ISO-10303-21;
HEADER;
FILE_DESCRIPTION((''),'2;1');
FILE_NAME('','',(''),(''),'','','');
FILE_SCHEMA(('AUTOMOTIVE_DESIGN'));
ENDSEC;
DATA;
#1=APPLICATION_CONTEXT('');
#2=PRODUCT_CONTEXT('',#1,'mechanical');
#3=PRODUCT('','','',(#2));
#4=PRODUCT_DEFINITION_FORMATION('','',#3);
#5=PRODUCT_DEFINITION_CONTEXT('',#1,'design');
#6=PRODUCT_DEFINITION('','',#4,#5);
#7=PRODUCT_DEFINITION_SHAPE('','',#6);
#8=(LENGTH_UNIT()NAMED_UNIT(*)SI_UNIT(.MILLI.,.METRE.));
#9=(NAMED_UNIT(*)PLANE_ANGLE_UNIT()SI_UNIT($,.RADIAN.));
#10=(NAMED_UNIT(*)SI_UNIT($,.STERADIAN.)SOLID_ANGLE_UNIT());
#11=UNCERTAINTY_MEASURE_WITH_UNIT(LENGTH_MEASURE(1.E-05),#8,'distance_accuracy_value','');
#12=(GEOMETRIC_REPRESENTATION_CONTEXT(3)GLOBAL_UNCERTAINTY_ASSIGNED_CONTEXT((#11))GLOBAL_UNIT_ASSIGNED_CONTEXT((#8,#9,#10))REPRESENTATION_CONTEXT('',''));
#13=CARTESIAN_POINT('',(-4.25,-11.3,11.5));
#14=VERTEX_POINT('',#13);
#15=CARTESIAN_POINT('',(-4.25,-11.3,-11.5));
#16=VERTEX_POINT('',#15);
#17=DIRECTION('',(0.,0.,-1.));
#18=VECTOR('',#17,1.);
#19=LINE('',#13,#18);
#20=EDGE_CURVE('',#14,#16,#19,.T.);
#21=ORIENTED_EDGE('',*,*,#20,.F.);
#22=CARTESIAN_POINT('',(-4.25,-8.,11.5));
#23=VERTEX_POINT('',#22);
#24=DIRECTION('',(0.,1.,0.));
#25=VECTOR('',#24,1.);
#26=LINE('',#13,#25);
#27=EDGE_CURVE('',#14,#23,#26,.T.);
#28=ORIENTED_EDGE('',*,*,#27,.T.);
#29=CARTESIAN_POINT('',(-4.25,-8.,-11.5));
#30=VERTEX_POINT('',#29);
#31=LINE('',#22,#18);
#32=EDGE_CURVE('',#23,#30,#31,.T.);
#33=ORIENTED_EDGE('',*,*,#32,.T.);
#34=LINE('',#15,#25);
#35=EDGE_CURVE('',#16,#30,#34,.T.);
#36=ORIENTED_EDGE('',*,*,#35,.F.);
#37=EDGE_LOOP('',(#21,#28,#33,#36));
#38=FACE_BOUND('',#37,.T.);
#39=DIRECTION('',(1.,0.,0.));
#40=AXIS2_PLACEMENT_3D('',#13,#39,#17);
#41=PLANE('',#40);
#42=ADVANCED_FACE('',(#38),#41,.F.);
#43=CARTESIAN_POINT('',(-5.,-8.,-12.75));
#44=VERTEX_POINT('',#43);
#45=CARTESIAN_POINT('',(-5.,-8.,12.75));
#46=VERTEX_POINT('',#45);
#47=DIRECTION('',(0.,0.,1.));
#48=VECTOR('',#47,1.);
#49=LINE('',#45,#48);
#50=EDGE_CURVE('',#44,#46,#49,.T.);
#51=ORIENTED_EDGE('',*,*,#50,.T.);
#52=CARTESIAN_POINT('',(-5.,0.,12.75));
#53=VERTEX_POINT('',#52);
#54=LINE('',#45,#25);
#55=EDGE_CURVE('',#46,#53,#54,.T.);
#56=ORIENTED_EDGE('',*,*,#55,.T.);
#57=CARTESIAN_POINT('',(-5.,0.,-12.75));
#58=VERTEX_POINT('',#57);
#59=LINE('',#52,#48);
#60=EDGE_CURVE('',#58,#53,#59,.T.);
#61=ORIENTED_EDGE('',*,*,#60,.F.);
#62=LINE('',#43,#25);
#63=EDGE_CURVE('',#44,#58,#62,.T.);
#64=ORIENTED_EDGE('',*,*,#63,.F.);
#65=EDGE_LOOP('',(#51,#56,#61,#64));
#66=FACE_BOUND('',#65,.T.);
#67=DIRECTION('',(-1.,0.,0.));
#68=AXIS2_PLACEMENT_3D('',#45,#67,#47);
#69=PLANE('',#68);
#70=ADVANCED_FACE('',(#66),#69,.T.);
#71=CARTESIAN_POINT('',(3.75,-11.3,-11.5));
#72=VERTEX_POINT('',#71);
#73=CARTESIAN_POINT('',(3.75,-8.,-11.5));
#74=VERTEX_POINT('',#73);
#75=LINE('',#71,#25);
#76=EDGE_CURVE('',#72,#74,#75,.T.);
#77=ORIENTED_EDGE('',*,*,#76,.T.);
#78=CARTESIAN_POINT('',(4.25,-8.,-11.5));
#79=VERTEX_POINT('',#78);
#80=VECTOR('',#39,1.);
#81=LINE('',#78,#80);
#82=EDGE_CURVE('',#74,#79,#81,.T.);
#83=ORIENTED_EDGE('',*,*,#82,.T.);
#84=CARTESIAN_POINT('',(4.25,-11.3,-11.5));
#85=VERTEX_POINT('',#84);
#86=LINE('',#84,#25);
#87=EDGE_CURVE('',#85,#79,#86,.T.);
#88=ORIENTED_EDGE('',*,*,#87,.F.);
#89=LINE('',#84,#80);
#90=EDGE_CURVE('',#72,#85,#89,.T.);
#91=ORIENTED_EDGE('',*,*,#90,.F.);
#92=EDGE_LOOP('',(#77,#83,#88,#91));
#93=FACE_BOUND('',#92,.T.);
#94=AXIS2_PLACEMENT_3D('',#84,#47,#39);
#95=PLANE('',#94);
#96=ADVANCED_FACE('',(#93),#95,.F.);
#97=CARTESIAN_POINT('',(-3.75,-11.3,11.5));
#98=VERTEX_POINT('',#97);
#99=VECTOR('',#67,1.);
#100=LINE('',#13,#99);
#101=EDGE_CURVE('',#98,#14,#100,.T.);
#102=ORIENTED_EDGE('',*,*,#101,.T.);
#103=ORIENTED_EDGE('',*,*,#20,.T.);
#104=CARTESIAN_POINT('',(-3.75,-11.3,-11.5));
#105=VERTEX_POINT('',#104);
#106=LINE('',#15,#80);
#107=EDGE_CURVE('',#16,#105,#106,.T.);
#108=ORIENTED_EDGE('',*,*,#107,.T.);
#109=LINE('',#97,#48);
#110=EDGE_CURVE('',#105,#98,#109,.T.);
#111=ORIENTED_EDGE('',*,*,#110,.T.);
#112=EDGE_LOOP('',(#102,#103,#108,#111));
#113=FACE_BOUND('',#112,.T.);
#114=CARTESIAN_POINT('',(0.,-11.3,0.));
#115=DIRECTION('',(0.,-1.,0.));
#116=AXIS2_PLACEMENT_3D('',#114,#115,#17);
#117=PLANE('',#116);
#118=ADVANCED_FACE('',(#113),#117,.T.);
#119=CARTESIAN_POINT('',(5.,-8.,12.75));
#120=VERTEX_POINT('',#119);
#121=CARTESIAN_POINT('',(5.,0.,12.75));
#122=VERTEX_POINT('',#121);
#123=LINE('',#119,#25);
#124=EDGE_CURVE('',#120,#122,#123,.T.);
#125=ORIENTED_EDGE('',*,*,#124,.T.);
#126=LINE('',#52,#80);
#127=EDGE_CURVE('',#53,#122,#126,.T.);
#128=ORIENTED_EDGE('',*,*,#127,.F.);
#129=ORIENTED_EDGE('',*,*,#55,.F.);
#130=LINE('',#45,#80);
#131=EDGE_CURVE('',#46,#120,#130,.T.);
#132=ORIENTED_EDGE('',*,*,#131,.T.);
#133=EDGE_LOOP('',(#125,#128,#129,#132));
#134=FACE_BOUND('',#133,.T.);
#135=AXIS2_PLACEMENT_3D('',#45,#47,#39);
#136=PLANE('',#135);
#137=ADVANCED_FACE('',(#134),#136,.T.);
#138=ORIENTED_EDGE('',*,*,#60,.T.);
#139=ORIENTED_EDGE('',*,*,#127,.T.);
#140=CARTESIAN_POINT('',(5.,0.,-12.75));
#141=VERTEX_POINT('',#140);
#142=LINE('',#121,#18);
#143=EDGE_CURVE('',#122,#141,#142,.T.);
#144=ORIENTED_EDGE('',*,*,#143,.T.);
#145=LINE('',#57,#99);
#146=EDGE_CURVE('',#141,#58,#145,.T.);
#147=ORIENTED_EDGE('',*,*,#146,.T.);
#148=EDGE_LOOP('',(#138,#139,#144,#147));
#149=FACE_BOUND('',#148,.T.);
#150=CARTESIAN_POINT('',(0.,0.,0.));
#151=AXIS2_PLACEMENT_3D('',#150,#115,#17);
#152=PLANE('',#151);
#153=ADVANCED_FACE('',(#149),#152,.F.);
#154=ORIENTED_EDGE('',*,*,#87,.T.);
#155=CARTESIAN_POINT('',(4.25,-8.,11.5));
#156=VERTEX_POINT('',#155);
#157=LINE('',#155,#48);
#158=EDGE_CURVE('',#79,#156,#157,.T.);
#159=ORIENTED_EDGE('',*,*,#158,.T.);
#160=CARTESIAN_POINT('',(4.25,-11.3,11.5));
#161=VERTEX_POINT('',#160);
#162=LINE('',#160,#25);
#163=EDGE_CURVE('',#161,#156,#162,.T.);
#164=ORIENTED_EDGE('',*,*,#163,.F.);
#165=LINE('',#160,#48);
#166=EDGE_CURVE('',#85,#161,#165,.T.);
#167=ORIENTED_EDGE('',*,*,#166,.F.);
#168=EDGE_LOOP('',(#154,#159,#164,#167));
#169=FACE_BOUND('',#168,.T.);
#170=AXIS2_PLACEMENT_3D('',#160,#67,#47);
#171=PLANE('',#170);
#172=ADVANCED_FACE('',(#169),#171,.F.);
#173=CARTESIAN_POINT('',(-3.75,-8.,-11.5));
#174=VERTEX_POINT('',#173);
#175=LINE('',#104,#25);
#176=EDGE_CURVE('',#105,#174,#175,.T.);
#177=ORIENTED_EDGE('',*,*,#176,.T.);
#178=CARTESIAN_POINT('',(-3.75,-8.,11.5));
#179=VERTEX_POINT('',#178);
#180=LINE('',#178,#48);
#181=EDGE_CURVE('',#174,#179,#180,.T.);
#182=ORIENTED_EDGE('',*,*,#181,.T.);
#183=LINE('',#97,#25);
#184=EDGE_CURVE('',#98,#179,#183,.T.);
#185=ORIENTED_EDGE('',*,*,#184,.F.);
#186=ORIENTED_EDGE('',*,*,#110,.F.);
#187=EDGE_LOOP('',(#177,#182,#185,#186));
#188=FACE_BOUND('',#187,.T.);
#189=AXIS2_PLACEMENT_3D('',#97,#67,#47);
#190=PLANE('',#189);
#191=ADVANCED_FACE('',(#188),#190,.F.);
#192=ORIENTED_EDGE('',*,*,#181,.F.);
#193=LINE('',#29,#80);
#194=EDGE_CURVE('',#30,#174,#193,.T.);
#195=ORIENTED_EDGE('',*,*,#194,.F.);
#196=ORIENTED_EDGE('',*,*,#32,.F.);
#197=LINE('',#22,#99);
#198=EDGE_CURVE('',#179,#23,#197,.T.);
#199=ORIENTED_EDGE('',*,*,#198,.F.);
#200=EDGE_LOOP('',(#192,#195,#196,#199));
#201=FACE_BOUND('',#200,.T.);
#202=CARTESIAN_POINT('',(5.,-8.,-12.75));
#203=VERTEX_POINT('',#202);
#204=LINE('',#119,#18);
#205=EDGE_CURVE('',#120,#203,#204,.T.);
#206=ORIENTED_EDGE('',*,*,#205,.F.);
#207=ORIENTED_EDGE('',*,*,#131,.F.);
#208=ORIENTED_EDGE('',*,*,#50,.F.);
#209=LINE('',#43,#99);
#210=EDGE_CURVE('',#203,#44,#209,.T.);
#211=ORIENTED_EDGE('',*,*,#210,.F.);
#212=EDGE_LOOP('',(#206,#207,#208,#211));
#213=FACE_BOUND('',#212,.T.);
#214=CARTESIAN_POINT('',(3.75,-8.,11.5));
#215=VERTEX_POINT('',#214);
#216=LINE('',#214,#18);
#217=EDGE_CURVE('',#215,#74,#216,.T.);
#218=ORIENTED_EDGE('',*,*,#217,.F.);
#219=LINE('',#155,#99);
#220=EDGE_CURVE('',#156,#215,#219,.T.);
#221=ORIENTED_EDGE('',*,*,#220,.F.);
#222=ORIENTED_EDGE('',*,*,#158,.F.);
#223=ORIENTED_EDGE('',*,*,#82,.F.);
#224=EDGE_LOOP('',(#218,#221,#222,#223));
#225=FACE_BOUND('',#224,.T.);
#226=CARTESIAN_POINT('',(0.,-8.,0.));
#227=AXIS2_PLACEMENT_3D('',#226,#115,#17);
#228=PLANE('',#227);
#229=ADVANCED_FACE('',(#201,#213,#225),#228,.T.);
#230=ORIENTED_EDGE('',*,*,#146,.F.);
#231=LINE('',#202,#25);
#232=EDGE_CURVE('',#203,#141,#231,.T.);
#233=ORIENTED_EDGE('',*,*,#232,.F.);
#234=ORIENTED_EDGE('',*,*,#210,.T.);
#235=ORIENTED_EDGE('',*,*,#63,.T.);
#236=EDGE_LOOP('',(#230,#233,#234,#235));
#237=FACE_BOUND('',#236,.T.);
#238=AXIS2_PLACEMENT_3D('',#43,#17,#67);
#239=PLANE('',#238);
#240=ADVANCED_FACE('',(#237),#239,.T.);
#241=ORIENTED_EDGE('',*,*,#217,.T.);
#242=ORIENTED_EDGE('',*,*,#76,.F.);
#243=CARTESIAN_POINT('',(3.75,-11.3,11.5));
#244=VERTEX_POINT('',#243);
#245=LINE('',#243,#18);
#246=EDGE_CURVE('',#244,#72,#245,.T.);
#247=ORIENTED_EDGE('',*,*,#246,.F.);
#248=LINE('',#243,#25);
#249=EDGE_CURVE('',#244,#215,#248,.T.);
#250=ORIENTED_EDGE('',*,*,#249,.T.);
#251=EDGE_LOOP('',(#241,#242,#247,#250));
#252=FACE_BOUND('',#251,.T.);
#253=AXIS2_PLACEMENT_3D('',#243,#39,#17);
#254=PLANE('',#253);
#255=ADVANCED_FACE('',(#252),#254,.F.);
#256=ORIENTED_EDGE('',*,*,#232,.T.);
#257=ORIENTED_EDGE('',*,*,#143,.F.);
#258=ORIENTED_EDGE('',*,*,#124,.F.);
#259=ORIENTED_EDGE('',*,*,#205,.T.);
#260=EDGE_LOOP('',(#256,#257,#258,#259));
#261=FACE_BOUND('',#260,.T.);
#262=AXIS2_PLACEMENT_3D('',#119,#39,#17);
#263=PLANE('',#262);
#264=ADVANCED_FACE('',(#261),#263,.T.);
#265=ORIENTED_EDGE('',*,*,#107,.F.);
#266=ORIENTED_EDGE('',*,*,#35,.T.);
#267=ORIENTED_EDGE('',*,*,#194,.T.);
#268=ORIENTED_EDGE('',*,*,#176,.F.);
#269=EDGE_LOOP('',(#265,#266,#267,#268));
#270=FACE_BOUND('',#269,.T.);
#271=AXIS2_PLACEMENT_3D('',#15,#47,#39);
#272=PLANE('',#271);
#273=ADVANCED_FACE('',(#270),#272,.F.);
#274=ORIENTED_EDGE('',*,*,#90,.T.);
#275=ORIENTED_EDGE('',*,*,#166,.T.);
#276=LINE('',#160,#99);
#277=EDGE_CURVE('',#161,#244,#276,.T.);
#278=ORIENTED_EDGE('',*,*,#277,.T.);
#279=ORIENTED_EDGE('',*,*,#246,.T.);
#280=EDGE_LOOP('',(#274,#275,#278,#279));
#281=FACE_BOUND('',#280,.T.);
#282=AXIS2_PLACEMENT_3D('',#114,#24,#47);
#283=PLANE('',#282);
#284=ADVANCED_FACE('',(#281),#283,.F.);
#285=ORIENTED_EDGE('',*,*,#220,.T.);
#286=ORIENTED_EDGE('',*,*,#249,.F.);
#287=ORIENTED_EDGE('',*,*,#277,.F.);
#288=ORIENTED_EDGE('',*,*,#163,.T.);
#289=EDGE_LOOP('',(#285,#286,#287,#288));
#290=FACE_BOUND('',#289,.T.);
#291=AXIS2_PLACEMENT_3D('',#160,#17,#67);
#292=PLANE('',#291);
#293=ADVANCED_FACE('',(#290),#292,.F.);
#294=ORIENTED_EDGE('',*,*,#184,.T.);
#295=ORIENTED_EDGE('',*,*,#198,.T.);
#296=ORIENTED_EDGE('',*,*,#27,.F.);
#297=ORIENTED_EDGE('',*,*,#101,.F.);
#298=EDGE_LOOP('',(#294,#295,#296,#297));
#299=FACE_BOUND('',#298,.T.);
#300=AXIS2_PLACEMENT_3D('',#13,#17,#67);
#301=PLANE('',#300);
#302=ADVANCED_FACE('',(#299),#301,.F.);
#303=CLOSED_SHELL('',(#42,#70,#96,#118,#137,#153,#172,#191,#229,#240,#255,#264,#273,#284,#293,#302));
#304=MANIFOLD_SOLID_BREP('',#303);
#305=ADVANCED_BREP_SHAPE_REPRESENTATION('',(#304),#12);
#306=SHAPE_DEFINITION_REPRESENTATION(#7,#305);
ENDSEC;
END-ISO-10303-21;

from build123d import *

# Parameters (mm, degrees)
SKETCH1_W           = 10
SKETCH1_H           = 25.5
BOSS_EXTRUDE1_DEPTH = 8
SKETCH2_W           = 0.5
SKETCH2_H           = 23
BOSS_EXTRUDE2_DEPTH = 3.3


with BuildPart() as part:
    # Sketch1 → Boss-Extrude1 (new body)
    with BuildSketch(Plane(origin=(0, 0, 0), x_dir=(1, 0, 0), z_dir=(0, 1, 0))):
        Rectangle(SKETCH1_W, SKETCH1_H)
    extrude(amount=-BOSS_EXTRUDE1_DEPTH)

    # Sketch2 → Boss-Extrude2 (add)
    with BuildSketch(Plane.XZ.offset(8)):
        with Locations((4, 0)):
            Rectangle(SKETCH2_W, SKETCH2_H)
        with Locations((-4, 0)):
            Rectangle(SKETCH2_W, SKETCH2_H)
    extrude(amount=BOSS_EXTRUDE2_DEPTH)


solid = part.part
